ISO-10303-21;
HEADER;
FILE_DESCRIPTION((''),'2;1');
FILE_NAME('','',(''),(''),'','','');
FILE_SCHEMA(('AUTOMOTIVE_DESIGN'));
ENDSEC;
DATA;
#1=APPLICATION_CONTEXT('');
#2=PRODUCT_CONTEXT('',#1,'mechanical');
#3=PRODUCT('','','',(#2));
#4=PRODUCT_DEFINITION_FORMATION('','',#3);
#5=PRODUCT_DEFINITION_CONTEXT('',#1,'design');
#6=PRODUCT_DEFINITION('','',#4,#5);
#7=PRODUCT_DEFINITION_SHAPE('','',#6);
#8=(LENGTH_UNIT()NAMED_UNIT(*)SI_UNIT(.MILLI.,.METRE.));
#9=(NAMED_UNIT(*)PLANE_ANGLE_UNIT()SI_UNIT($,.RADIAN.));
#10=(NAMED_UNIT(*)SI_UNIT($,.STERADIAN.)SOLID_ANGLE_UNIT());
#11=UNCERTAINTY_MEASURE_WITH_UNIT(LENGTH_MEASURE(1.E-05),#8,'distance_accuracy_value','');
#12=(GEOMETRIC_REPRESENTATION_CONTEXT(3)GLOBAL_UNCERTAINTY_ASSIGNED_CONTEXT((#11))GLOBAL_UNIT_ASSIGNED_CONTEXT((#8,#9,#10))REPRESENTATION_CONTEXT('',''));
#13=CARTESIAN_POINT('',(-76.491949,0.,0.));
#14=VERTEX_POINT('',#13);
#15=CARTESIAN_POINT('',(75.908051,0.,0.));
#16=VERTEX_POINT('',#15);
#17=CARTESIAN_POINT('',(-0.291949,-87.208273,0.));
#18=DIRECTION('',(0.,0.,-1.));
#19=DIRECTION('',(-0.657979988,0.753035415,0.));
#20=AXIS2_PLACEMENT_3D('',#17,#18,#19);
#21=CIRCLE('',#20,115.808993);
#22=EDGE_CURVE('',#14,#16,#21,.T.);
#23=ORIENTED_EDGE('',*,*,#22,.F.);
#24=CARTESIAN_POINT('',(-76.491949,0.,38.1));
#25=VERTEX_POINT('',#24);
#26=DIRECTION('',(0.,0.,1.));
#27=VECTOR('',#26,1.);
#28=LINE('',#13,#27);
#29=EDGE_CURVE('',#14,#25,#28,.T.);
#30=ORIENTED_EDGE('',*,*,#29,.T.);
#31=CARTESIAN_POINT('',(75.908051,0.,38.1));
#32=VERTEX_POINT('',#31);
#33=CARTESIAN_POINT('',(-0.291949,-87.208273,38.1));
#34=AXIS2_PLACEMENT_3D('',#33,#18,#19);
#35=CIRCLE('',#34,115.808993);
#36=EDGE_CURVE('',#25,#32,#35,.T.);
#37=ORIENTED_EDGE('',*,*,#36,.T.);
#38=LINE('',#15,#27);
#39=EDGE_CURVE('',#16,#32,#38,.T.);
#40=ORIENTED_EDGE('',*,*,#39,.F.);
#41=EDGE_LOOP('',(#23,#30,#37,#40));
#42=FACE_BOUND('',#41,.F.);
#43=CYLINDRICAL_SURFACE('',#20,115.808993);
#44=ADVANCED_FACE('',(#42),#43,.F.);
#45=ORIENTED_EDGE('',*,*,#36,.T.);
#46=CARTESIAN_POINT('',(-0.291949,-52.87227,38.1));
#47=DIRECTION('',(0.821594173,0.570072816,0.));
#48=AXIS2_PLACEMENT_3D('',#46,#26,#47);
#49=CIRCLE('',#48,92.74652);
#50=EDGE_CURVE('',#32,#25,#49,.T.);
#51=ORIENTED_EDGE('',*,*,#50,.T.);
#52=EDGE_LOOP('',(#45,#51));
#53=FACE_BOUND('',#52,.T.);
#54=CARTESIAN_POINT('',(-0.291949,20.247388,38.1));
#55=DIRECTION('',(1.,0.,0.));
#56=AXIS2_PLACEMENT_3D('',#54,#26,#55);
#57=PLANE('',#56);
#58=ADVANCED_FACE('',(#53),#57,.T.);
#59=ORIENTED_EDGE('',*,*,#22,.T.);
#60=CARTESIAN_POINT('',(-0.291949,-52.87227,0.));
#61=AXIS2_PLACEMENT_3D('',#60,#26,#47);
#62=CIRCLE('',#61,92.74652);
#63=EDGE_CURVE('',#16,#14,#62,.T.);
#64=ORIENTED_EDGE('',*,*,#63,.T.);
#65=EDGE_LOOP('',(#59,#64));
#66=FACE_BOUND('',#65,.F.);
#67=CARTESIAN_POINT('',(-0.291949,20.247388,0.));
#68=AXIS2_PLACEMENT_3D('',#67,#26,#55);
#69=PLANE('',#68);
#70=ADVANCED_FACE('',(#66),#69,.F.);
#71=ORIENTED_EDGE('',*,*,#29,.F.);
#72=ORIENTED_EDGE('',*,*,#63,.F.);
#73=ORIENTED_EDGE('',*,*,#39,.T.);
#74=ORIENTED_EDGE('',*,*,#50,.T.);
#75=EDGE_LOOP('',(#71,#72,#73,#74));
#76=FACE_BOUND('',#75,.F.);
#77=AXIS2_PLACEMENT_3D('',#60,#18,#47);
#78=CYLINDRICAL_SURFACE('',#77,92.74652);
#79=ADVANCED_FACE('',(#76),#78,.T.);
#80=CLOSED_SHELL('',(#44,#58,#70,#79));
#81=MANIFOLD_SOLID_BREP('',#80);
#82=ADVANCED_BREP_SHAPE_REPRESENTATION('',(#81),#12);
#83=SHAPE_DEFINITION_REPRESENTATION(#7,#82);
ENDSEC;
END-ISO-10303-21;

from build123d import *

# Parameters (mm, degrees)
F1_DEPTH = 38.1


with BuildPart() as f1:
    # F0 (on Top) → F1 (new body)
    with BuildSketch(Plane.XY):
        with BuildLine():
            ThreePointArc((-76.491949, 0), (-0.291949, 28.60072), (75.908051, 0))
            ThreePointArc((75.908051, 0), (-0.291949, 39.87425), (-76.491949, 0))
        make_face()
    extrude(amount=F1_DEPTH)


solid = f1.part
